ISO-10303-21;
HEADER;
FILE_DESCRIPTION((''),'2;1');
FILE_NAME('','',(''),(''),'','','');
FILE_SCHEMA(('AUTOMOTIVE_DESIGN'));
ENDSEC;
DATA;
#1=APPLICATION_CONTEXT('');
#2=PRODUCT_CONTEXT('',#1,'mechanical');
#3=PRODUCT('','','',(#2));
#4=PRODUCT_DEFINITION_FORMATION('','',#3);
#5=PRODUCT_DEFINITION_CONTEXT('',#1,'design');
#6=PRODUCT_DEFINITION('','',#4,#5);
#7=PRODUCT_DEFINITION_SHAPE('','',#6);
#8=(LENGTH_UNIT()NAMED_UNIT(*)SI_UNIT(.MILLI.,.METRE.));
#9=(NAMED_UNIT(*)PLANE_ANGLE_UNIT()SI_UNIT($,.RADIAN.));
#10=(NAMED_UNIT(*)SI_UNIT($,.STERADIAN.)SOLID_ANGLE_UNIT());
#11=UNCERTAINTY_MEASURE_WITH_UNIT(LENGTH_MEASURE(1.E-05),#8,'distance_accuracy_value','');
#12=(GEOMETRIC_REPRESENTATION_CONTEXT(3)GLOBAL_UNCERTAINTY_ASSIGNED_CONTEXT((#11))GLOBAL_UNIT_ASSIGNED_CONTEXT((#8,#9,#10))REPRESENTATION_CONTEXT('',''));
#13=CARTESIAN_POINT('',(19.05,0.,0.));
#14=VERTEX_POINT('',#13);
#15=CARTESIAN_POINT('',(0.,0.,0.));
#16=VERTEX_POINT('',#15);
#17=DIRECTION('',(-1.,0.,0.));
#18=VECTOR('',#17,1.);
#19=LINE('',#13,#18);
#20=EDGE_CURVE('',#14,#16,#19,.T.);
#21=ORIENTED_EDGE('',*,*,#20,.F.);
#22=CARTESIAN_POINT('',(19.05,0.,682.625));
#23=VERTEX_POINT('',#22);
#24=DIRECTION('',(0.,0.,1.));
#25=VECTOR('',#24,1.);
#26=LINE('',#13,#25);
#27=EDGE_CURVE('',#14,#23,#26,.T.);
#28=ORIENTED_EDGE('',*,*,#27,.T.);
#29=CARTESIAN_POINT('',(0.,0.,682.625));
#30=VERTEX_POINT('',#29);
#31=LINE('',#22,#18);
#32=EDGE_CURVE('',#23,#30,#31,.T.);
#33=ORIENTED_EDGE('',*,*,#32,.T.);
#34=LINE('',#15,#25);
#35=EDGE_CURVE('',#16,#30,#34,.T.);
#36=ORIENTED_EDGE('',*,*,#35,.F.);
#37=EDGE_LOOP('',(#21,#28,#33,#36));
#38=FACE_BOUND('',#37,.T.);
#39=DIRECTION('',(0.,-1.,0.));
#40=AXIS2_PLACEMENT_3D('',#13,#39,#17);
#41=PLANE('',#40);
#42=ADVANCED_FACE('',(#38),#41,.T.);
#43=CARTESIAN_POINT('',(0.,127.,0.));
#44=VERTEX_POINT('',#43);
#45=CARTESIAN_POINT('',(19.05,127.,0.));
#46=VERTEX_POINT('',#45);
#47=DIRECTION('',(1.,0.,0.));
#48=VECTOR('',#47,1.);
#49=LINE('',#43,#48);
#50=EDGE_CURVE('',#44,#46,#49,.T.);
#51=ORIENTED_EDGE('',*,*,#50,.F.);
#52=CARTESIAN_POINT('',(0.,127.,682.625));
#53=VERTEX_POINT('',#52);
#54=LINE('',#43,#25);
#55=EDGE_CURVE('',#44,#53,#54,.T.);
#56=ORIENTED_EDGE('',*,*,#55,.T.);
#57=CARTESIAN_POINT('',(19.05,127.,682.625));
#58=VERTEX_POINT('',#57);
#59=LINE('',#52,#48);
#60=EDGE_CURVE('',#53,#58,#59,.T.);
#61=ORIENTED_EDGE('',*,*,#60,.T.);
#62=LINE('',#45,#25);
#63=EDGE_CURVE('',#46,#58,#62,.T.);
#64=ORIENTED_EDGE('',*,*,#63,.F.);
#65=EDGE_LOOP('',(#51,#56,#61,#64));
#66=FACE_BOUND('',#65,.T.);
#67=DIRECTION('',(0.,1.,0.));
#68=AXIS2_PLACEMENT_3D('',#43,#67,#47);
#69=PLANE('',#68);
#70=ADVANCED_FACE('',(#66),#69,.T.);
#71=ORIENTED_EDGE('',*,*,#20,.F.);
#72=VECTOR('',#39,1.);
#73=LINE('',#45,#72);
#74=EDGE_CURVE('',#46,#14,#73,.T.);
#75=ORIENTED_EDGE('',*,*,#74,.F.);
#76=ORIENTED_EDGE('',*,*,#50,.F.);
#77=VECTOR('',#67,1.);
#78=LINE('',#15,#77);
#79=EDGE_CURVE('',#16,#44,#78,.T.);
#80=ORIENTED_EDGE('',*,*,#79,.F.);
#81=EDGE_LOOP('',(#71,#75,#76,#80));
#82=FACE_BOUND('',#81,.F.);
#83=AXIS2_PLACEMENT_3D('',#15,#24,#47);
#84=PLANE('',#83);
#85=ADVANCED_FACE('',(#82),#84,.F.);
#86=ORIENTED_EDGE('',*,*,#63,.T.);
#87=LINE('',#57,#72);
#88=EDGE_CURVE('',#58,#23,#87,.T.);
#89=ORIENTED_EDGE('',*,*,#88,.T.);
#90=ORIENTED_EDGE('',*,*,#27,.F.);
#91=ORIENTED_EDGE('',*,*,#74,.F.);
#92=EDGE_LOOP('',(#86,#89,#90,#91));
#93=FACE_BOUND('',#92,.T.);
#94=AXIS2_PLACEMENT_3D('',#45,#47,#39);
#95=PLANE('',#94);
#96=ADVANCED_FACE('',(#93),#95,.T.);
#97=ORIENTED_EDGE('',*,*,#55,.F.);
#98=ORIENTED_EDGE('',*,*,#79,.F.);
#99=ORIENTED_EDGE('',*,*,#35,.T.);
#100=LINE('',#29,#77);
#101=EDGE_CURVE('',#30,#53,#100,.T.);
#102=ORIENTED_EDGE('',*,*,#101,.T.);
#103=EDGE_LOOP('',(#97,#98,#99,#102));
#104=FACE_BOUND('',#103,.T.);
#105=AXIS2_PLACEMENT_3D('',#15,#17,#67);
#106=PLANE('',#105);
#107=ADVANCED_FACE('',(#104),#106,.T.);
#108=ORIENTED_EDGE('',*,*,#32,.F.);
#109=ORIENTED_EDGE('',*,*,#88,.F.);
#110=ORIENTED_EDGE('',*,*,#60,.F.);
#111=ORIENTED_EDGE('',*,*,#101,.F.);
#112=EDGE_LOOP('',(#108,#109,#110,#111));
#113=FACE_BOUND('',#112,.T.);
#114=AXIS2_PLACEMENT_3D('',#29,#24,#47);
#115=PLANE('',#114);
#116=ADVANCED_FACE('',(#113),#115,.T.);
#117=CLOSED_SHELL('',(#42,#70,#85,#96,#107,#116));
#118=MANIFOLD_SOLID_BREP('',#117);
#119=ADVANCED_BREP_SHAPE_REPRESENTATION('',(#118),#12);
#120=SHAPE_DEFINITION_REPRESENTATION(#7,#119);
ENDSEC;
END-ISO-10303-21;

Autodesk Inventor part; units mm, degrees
ref_plane "YZ Plane" through (0, 0, 0) normal (1, 0, 0) x (0, 1, 0)
ref_plane "XZ Plane" through (0, 0, 0) normal (0, 1, 0) x (-1, 0, 0)
ref_plane "XY Plane" through (0, 0, 0) normal (0, 0, 1) x (1, 0, 0)
sketch "Sketch1" plane through (0, 0, 0) normal (0, 0, 1) x (1, 0, 0)
  line L0 (0, 0) -> (0, 127)
  line L1 (0, 127) -> (19.05, 127)
  line L2 (19.05, 127) -> (19.05, 0)
  line L3 (19.05, 0) -> (0, 0)
  dimension "d0" = 127
  dimension "d1" = 19.05
extrude "Extrusion1" add sketch "Sketch1" along normal blind 682.625
properties part number "Bumper Wood Backing Part1 (26x28 robot)" material "Wood (Birch)"
